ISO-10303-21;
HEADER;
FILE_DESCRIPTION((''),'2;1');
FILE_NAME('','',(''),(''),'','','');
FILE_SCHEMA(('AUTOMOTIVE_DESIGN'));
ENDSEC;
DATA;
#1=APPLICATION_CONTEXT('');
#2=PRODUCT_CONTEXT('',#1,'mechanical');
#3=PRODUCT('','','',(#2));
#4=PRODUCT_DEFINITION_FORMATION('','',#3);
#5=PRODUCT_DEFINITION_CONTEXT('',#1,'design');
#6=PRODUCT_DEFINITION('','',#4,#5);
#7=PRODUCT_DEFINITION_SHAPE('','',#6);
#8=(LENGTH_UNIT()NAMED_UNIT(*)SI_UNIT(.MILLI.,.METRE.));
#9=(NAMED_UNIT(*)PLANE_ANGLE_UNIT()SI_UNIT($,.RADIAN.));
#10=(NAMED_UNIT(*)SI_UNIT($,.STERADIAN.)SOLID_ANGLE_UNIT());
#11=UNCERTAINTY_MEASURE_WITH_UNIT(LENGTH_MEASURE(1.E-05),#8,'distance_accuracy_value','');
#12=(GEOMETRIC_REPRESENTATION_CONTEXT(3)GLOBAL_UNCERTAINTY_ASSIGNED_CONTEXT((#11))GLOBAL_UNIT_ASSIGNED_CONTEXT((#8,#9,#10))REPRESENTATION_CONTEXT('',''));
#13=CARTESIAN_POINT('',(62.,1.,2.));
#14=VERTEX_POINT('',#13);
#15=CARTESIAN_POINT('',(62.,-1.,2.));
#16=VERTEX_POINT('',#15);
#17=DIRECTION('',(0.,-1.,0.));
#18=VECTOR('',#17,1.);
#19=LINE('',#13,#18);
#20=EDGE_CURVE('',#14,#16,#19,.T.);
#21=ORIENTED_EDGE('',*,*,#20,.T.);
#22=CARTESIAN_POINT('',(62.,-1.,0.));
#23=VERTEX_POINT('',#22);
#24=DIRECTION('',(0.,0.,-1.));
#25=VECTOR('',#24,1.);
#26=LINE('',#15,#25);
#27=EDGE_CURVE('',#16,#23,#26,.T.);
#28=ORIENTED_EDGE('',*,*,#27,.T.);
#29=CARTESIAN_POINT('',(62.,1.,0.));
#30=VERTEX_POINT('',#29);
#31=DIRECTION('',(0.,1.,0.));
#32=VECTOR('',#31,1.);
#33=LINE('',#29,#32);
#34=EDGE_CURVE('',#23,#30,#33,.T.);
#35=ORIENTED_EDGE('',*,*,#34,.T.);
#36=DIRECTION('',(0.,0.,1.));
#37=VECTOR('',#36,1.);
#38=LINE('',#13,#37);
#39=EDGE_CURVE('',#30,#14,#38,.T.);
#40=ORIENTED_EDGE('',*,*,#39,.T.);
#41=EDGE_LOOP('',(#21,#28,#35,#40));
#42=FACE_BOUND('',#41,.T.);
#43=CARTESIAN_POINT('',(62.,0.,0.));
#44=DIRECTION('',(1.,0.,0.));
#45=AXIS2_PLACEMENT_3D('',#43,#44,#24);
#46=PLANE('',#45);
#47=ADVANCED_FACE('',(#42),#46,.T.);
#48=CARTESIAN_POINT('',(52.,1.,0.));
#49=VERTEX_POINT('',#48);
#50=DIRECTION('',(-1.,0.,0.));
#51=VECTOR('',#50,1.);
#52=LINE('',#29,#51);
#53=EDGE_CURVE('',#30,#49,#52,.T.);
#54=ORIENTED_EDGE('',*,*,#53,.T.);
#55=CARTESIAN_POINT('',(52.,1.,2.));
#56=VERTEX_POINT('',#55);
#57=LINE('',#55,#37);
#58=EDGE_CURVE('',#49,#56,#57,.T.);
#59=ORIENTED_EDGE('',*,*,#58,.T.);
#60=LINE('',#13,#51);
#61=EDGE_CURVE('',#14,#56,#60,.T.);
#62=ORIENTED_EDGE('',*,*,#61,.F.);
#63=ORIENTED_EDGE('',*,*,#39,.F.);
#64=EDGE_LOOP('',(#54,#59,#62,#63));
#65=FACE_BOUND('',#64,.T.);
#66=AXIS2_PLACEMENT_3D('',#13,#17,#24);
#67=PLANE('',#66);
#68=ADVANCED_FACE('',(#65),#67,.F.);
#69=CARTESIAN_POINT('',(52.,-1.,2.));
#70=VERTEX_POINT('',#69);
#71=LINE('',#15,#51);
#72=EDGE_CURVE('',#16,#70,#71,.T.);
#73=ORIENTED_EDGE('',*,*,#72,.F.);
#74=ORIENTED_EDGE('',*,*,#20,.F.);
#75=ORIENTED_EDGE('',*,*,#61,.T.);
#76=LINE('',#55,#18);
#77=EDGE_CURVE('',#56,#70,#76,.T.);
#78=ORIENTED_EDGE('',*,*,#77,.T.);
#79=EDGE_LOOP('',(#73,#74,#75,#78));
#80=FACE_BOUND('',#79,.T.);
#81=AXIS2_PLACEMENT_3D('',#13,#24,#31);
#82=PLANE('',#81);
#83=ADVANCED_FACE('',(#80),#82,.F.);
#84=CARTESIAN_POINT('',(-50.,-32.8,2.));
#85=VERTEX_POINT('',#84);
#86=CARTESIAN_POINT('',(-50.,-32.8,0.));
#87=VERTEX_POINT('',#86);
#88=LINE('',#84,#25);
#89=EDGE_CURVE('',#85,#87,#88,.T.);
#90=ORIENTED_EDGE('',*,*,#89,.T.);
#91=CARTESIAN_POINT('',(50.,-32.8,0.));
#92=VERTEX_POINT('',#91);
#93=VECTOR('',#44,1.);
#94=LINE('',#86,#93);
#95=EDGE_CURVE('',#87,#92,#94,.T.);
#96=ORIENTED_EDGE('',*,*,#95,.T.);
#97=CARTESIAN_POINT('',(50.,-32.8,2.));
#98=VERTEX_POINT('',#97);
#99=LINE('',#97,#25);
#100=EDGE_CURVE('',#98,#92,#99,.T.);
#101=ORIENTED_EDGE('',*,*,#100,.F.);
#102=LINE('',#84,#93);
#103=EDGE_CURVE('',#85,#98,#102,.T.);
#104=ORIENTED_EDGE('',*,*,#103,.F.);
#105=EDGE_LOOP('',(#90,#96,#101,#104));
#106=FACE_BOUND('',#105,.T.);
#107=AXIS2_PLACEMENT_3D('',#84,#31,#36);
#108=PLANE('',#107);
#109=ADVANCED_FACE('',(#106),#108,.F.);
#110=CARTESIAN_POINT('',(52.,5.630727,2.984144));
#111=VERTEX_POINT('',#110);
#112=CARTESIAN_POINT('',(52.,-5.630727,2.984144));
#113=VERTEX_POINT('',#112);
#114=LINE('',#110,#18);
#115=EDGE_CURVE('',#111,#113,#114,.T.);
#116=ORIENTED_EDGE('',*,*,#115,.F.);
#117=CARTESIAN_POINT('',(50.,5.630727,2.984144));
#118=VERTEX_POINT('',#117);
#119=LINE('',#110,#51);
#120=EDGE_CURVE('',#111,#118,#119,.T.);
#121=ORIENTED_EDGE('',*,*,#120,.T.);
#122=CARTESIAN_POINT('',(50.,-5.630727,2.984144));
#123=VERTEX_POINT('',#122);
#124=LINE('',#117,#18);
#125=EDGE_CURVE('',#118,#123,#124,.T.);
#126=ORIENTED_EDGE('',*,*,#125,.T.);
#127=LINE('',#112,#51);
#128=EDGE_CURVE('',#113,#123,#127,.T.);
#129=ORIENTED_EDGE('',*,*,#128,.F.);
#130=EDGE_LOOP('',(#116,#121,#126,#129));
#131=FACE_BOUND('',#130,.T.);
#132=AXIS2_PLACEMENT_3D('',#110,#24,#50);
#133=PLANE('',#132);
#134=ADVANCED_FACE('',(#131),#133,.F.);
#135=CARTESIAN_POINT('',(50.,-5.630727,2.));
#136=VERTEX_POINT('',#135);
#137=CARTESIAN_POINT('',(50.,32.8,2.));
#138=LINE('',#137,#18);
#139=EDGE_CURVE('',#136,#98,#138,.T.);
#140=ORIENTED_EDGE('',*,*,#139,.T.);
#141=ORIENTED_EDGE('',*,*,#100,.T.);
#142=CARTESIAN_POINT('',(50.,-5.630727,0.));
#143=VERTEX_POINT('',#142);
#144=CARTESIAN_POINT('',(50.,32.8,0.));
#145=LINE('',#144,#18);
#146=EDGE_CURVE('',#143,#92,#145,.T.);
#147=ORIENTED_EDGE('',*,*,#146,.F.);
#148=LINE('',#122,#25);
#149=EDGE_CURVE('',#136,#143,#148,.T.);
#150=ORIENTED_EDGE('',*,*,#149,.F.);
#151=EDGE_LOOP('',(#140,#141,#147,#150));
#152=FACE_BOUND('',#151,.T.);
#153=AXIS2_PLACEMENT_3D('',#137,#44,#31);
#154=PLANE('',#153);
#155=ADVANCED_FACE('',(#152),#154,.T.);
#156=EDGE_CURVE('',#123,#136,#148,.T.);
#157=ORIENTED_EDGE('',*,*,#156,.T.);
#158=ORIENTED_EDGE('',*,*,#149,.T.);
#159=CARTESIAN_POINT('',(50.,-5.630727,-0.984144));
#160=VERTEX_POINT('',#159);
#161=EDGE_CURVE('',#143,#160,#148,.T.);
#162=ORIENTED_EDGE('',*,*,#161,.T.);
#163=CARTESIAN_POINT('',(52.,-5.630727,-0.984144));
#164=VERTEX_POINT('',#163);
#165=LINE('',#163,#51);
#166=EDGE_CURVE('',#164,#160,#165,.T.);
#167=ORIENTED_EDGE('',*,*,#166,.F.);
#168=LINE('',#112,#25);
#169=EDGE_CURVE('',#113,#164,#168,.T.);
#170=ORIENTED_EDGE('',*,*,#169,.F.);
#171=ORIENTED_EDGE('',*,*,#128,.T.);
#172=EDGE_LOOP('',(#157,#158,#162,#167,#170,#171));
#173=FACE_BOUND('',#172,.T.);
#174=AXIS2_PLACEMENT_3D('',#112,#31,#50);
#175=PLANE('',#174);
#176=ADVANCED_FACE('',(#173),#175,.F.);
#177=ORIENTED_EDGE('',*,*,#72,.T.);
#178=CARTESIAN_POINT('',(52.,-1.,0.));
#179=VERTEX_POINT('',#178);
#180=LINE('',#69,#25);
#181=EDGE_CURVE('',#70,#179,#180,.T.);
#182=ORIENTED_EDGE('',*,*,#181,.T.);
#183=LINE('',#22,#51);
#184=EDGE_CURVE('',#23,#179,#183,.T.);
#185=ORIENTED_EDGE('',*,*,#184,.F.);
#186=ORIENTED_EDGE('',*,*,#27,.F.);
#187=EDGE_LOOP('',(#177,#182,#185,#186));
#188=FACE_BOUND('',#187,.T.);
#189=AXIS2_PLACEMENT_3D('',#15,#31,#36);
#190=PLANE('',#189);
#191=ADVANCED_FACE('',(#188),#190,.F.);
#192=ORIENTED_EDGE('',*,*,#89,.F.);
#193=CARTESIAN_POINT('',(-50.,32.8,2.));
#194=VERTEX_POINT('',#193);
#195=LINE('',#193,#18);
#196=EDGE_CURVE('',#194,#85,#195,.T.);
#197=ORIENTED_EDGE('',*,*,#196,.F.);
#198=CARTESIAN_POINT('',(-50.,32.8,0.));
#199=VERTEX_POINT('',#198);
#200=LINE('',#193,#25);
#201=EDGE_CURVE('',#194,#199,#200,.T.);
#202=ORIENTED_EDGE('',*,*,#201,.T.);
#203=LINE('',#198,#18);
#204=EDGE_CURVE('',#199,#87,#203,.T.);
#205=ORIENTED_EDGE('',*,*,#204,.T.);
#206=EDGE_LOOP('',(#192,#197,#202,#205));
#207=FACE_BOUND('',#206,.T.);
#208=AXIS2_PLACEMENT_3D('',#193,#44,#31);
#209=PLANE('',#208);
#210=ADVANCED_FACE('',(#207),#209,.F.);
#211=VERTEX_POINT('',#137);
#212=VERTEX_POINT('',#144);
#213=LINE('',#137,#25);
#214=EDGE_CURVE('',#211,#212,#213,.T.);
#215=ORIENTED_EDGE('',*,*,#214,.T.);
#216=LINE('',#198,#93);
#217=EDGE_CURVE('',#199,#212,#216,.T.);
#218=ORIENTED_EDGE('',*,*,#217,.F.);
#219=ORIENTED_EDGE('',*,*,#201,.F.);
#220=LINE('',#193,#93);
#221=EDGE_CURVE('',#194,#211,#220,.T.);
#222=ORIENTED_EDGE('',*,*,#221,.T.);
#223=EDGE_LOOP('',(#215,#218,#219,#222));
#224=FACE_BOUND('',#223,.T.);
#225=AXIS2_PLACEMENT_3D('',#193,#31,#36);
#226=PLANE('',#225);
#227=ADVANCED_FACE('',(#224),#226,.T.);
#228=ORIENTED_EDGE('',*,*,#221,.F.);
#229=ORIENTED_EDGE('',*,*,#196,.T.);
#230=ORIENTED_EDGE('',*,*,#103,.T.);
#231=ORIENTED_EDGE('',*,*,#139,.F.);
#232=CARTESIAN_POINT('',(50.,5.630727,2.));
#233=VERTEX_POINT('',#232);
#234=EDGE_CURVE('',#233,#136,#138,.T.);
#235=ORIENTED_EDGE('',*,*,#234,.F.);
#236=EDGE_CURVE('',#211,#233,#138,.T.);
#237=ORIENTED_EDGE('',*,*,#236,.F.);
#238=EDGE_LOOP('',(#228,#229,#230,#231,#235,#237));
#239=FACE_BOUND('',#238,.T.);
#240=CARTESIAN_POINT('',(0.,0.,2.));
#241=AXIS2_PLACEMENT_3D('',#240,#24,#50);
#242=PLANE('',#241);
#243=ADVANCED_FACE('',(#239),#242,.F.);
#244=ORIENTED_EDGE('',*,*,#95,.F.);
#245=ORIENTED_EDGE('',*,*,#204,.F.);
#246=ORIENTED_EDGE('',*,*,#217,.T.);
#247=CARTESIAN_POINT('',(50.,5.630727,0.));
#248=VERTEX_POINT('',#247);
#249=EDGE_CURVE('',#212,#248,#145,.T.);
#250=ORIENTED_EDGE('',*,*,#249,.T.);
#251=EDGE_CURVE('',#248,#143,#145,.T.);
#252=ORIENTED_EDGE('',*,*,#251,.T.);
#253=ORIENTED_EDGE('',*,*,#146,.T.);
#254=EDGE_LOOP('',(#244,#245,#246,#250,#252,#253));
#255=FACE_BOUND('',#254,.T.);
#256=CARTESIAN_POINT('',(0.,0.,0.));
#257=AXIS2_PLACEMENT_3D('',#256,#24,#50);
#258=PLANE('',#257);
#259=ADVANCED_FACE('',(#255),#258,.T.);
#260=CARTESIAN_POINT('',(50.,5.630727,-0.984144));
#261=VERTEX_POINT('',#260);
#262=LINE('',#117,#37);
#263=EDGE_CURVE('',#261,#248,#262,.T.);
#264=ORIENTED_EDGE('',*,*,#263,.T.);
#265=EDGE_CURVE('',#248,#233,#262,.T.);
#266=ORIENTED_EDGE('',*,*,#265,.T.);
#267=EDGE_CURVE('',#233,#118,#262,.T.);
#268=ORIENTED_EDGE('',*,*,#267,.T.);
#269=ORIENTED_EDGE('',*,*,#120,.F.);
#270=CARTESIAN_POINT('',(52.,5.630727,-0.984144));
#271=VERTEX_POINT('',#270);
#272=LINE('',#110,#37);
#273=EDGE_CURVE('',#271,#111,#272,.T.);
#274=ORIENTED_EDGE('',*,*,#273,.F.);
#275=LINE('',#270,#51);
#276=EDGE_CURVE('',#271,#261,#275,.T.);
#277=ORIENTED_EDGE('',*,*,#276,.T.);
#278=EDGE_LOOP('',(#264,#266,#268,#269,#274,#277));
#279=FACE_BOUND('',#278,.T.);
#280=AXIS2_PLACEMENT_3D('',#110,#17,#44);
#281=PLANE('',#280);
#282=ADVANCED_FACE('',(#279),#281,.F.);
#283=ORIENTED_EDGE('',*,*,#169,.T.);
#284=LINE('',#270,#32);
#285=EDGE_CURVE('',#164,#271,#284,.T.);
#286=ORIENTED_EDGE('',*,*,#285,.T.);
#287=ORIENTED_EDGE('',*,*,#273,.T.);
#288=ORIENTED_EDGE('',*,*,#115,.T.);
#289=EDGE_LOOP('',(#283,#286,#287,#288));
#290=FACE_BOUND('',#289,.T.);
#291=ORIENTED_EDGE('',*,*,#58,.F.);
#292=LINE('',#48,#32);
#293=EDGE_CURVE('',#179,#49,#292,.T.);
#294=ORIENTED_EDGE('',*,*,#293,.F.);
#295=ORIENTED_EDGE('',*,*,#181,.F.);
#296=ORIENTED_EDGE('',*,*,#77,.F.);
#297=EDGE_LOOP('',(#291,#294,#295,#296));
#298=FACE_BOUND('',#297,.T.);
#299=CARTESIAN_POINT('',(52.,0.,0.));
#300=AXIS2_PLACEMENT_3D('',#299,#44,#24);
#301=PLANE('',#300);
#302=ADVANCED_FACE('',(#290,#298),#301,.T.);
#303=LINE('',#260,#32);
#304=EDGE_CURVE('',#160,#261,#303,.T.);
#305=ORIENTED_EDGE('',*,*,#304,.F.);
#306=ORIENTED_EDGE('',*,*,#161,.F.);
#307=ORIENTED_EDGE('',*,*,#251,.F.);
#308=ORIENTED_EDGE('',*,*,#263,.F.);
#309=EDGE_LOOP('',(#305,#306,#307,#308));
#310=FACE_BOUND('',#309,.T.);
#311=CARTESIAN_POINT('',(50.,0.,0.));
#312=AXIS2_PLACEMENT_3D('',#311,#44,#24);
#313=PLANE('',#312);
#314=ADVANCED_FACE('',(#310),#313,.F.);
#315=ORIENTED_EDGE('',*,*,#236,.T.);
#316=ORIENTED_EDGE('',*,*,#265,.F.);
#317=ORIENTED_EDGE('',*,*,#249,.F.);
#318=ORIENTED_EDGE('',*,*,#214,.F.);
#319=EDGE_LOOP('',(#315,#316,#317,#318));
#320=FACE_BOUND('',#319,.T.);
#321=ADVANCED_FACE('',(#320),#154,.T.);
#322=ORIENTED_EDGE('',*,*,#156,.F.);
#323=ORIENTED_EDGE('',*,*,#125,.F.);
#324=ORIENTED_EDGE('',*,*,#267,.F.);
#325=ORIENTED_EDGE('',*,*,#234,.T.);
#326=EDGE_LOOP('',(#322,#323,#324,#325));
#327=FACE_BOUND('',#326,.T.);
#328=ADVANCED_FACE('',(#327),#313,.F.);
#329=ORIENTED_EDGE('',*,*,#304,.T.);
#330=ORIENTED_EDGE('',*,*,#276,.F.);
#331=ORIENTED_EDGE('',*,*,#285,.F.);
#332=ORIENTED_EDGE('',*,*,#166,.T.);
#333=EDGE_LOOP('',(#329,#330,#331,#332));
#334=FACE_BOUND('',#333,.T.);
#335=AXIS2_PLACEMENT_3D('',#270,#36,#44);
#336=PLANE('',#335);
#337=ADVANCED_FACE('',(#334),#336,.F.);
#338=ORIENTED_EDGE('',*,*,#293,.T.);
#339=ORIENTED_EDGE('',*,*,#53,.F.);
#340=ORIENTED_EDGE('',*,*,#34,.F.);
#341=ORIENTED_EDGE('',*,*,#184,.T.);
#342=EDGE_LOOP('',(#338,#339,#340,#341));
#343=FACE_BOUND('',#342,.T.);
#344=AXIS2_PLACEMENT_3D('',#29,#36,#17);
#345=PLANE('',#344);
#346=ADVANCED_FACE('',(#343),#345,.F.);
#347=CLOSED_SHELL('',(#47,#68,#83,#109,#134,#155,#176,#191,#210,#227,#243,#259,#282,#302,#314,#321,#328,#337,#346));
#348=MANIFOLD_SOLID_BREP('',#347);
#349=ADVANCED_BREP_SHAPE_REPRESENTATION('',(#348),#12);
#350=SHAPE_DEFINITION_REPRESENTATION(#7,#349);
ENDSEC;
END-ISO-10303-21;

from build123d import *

# Parameters (mm, degrees)
SKETCH1_W           = 100
SKETCH1_H           = 65.6
BOSS_EXTRUDE1_DEPTH = 2
SKETCH2_W           = 3.96828804
SKETCH2_H           = 11.261454498
BOSS_EXTRUDE2_DEPTH = 2
SKETCH3_W           = 2
SKETCH3_H           = 2
BOSS_EXTRUDE3_DEPTH = 10


with BuildPart() as part:
    # Sketch1 → Boss-Extrude1 (new body)
    with BuildSketch(Plane.XY):
        Rectangle(SKETCH1_W, SKETCH1_H)
    extrude(amount=BOSS_EXTRUDE1_DEPTH)

    # Sketch2 → Boss-Extrude2 (add)
    with BuildSketch(Plane(origin=(50, 0, 0), x_dir=(0, 0, -1), z_dir=(1, 0, 0))):
        with Locations((-1, 0)):
            Rectangle(SKETCH2_W, SKETCH2_H)
    extrude(amount=BOSS_EXTRUDE2_DEPTH)

    # Sketch3 → Boss-Extrude3 (add)
    with BuildSketch(Plane(origin=(52, 0, 0), x_dir=(0, 0, -1), z_dir=(1, 0, 0))):
        with Locations((-1, 0)):
            Rectangle(SKETCH3_W, SKETCH3_H)
    extrude(amount=BOSS_EXTRUDE3_DEPTH)


solid = part.part
